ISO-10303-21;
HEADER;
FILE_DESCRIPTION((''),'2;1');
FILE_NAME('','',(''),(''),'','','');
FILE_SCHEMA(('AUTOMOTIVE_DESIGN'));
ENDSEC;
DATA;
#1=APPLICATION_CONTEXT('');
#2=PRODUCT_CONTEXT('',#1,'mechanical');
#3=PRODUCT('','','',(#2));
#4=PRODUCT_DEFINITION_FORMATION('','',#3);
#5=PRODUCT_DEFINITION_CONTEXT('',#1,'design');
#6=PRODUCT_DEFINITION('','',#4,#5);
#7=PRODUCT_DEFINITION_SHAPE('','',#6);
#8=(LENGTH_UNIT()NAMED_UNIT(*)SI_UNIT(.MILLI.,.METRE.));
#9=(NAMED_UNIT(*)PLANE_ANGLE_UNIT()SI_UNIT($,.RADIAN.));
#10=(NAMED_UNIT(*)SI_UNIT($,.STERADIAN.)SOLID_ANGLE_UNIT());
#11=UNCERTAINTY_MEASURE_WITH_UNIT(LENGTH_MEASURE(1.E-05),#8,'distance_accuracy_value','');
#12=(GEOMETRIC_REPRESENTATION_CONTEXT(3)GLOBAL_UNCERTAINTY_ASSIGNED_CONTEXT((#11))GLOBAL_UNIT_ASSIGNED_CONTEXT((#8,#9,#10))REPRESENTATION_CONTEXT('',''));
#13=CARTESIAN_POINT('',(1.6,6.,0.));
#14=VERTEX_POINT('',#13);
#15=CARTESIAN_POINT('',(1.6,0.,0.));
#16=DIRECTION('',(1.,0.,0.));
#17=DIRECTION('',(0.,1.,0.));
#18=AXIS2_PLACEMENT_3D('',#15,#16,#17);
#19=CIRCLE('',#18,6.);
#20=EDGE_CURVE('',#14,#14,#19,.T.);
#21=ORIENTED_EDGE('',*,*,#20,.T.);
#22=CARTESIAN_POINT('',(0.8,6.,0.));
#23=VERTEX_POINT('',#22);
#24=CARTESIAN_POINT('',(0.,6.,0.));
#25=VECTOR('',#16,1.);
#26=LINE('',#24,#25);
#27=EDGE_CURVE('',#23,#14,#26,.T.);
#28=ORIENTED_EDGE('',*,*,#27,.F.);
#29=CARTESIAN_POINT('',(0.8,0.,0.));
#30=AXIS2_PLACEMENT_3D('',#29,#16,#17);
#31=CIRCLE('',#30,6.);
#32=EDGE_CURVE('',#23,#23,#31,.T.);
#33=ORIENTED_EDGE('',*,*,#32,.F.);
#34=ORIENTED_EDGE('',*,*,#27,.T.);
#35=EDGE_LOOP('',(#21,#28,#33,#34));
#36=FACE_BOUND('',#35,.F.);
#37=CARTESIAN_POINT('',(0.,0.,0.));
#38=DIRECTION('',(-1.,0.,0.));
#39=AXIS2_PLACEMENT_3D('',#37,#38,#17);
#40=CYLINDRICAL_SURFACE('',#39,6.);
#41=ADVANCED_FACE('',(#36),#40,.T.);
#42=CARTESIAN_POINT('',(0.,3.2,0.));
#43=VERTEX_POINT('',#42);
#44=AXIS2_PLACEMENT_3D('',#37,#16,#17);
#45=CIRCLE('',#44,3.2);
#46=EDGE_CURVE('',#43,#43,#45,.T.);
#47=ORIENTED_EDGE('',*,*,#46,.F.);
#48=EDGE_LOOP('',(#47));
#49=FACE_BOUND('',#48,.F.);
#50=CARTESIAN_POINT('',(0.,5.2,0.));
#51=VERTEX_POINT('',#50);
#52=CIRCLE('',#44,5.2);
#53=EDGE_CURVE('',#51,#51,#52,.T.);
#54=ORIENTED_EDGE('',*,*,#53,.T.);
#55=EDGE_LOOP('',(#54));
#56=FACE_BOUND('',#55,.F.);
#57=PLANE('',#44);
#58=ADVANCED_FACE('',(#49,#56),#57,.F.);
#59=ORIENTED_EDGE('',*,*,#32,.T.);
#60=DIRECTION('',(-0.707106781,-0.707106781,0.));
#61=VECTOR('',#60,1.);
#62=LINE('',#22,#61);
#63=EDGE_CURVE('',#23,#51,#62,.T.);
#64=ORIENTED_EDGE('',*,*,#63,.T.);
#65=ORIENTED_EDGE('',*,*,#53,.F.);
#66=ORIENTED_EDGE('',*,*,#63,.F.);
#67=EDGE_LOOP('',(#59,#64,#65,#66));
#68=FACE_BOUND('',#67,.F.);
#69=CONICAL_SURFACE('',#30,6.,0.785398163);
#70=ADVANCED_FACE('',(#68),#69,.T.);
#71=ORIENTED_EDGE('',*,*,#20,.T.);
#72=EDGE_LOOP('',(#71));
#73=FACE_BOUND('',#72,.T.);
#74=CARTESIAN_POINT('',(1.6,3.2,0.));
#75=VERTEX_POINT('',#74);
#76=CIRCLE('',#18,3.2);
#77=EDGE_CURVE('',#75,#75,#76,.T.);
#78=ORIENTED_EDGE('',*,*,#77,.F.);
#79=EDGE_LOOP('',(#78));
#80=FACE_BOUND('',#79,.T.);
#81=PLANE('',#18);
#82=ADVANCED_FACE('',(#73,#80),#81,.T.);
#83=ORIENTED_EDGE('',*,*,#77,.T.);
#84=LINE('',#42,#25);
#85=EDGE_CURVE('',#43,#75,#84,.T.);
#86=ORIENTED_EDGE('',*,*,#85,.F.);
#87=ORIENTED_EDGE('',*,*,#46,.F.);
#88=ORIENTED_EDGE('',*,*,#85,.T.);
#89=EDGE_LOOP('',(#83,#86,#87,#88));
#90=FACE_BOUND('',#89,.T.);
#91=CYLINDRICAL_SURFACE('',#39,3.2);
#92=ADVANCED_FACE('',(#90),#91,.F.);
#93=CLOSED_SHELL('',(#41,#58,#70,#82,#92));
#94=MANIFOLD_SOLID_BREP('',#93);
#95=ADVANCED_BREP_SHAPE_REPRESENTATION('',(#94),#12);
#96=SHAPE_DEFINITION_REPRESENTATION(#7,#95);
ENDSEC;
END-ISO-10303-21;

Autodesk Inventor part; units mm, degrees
ref_plane "YZ Plane" through (0, 0, 0) normal (1, 0, 0) x (0, 1, 0)
ref_plane "XZ Plane" through (0, 0, 0) normal (0, 1, 0) x (-1, 0, 0)
sketch "Skizze" plane through (0, 0, 0) normal (1, 0, 0) x (0, 1, 0)
  circle A0 centre (0, 0) radius 6
  circle A1 centre (0, 0) radius 3.2
  dimension "d0" = 6.4
  dimension "d1" = 12
extrude "Körper" add sketch "Skizze" along normal blind 1.6
chamfer "Fase" distance 0.8 angle 45 1 edges at (0, -6, 0) measured on face at (1.0667, 5.9805, -0.4828)
ref_plane "Work Plane1" through (0, 0, 0) normal (0, 1, 0) x (1, 0, 0)
equation "\"d0\" = SD1"
equation "\"d1\" = SD2"
equation "\"d2\" = SD"
equation "\"d4\" = PHH"
equation "\"d8\" = PHH"
equation "\"SD1\" = 6.4"
equation "\"SD2\" = 12"
equation "\"SD\" = 1.6"
equation "\"PHH\" = 0.8"
equation "\"FAWI\" = 45deg"
equation "\"NND\" = 6"
properties part number "ISO 7090 - 6 - 140 HV" material "Edelstahl"
